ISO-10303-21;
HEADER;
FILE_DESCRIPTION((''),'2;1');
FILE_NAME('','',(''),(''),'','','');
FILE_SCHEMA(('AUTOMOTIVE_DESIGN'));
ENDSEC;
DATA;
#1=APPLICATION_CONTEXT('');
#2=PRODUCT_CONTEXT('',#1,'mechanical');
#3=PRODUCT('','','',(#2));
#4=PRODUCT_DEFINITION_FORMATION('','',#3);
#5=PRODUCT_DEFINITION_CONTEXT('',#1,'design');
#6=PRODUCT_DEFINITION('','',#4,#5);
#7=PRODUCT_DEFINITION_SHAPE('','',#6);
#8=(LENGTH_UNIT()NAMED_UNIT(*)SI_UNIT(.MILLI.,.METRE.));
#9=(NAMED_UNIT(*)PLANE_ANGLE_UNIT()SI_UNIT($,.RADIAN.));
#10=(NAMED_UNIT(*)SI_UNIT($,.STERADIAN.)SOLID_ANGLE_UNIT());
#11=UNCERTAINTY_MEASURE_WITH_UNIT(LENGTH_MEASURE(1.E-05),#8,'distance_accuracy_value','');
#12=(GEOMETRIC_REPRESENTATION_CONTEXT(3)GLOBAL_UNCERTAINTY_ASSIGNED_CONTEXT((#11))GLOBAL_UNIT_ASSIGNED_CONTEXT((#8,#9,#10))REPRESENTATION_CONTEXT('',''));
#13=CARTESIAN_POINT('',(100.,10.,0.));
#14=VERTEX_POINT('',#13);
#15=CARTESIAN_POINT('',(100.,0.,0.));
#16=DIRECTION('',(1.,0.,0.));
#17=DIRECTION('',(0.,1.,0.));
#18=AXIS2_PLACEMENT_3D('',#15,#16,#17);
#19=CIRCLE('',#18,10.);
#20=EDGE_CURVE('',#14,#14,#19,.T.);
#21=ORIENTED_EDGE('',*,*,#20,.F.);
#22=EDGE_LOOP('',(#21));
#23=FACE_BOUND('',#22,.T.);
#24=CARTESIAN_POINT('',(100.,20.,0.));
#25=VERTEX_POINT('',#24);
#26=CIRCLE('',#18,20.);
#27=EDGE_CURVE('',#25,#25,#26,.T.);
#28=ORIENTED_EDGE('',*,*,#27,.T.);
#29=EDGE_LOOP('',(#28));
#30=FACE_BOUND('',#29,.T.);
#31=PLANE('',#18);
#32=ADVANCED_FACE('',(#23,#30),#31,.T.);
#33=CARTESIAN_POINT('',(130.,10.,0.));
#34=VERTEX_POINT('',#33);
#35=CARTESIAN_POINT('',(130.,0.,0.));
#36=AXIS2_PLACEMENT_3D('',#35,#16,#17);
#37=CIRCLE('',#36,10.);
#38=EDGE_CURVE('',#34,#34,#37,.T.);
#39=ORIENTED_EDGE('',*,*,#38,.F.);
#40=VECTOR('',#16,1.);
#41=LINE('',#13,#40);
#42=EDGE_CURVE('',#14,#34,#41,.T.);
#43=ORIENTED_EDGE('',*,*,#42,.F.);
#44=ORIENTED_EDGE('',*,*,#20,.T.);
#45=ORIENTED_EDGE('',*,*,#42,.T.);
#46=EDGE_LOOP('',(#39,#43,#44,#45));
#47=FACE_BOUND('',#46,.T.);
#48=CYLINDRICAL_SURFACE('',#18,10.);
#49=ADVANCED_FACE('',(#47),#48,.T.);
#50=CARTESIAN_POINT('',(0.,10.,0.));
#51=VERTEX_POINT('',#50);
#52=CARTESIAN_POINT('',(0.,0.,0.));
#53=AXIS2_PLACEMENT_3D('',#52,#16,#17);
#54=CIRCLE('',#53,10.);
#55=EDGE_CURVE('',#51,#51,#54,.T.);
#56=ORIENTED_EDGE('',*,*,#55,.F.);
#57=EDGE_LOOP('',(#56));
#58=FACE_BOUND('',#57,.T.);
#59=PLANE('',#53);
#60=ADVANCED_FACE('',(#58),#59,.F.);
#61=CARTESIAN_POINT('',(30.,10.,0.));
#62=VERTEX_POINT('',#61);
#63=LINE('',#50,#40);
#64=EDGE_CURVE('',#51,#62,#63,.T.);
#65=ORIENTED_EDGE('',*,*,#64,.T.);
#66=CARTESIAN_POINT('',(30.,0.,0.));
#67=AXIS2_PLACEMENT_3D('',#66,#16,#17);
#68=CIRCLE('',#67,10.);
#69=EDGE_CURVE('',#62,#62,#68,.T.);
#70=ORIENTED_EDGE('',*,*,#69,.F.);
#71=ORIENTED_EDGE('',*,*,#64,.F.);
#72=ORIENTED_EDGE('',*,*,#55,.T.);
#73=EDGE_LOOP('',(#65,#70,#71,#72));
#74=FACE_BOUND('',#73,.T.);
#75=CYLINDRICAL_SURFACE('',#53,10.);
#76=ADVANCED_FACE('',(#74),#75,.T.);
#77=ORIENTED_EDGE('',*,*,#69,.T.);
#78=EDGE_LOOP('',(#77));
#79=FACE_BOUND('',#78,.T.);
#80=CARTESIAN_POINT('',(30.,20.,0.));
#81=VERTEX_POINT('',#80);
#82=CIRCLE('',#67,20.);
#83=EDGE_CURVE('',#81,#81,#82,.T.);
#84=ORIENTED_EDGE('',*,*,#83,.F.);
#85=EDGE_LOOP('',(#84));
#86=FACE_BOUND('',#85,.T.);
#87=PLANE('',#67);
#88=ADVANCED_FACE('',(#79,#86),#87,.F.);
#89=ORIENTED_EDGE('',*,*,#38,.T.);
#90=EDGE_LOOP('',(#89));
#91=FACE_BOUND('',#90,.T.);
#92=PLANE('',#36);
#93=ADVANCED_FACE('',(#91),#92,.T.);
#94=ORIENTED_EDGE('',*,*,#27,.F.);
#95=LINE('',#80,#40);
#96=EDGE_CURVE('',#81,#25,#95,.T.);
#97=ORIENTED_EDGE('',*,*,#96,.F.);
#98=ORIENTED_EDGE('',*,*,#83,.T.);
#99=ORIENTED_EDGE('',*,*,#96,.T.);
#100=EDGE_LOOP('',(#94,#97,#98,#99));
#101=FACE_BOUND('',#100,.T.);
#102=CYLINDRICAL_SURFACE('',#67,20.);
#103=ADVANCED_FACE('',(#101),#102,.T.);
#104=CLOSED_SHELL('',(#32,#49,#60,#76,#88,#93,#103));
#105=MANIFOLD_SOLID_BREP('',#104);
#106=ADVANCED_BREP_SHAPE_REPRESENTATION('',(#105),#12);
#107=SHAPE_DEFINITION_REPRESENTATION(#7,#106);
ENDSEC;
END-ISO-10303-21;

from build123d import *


with BuildPart() as part:
    # Sketch1 → Revolve2 (revolve)
    with BuildSketch(Plane.XY):
        Polygon((0, 0), (0, 10), (30, 10), (30, 20), (100, 20), (100, 10), (130, 10), (130, 0), align=None)
    revolve(axis=Axis((-58.418248255, 0, 0), (1, 0, 0)))


solid = part.part
